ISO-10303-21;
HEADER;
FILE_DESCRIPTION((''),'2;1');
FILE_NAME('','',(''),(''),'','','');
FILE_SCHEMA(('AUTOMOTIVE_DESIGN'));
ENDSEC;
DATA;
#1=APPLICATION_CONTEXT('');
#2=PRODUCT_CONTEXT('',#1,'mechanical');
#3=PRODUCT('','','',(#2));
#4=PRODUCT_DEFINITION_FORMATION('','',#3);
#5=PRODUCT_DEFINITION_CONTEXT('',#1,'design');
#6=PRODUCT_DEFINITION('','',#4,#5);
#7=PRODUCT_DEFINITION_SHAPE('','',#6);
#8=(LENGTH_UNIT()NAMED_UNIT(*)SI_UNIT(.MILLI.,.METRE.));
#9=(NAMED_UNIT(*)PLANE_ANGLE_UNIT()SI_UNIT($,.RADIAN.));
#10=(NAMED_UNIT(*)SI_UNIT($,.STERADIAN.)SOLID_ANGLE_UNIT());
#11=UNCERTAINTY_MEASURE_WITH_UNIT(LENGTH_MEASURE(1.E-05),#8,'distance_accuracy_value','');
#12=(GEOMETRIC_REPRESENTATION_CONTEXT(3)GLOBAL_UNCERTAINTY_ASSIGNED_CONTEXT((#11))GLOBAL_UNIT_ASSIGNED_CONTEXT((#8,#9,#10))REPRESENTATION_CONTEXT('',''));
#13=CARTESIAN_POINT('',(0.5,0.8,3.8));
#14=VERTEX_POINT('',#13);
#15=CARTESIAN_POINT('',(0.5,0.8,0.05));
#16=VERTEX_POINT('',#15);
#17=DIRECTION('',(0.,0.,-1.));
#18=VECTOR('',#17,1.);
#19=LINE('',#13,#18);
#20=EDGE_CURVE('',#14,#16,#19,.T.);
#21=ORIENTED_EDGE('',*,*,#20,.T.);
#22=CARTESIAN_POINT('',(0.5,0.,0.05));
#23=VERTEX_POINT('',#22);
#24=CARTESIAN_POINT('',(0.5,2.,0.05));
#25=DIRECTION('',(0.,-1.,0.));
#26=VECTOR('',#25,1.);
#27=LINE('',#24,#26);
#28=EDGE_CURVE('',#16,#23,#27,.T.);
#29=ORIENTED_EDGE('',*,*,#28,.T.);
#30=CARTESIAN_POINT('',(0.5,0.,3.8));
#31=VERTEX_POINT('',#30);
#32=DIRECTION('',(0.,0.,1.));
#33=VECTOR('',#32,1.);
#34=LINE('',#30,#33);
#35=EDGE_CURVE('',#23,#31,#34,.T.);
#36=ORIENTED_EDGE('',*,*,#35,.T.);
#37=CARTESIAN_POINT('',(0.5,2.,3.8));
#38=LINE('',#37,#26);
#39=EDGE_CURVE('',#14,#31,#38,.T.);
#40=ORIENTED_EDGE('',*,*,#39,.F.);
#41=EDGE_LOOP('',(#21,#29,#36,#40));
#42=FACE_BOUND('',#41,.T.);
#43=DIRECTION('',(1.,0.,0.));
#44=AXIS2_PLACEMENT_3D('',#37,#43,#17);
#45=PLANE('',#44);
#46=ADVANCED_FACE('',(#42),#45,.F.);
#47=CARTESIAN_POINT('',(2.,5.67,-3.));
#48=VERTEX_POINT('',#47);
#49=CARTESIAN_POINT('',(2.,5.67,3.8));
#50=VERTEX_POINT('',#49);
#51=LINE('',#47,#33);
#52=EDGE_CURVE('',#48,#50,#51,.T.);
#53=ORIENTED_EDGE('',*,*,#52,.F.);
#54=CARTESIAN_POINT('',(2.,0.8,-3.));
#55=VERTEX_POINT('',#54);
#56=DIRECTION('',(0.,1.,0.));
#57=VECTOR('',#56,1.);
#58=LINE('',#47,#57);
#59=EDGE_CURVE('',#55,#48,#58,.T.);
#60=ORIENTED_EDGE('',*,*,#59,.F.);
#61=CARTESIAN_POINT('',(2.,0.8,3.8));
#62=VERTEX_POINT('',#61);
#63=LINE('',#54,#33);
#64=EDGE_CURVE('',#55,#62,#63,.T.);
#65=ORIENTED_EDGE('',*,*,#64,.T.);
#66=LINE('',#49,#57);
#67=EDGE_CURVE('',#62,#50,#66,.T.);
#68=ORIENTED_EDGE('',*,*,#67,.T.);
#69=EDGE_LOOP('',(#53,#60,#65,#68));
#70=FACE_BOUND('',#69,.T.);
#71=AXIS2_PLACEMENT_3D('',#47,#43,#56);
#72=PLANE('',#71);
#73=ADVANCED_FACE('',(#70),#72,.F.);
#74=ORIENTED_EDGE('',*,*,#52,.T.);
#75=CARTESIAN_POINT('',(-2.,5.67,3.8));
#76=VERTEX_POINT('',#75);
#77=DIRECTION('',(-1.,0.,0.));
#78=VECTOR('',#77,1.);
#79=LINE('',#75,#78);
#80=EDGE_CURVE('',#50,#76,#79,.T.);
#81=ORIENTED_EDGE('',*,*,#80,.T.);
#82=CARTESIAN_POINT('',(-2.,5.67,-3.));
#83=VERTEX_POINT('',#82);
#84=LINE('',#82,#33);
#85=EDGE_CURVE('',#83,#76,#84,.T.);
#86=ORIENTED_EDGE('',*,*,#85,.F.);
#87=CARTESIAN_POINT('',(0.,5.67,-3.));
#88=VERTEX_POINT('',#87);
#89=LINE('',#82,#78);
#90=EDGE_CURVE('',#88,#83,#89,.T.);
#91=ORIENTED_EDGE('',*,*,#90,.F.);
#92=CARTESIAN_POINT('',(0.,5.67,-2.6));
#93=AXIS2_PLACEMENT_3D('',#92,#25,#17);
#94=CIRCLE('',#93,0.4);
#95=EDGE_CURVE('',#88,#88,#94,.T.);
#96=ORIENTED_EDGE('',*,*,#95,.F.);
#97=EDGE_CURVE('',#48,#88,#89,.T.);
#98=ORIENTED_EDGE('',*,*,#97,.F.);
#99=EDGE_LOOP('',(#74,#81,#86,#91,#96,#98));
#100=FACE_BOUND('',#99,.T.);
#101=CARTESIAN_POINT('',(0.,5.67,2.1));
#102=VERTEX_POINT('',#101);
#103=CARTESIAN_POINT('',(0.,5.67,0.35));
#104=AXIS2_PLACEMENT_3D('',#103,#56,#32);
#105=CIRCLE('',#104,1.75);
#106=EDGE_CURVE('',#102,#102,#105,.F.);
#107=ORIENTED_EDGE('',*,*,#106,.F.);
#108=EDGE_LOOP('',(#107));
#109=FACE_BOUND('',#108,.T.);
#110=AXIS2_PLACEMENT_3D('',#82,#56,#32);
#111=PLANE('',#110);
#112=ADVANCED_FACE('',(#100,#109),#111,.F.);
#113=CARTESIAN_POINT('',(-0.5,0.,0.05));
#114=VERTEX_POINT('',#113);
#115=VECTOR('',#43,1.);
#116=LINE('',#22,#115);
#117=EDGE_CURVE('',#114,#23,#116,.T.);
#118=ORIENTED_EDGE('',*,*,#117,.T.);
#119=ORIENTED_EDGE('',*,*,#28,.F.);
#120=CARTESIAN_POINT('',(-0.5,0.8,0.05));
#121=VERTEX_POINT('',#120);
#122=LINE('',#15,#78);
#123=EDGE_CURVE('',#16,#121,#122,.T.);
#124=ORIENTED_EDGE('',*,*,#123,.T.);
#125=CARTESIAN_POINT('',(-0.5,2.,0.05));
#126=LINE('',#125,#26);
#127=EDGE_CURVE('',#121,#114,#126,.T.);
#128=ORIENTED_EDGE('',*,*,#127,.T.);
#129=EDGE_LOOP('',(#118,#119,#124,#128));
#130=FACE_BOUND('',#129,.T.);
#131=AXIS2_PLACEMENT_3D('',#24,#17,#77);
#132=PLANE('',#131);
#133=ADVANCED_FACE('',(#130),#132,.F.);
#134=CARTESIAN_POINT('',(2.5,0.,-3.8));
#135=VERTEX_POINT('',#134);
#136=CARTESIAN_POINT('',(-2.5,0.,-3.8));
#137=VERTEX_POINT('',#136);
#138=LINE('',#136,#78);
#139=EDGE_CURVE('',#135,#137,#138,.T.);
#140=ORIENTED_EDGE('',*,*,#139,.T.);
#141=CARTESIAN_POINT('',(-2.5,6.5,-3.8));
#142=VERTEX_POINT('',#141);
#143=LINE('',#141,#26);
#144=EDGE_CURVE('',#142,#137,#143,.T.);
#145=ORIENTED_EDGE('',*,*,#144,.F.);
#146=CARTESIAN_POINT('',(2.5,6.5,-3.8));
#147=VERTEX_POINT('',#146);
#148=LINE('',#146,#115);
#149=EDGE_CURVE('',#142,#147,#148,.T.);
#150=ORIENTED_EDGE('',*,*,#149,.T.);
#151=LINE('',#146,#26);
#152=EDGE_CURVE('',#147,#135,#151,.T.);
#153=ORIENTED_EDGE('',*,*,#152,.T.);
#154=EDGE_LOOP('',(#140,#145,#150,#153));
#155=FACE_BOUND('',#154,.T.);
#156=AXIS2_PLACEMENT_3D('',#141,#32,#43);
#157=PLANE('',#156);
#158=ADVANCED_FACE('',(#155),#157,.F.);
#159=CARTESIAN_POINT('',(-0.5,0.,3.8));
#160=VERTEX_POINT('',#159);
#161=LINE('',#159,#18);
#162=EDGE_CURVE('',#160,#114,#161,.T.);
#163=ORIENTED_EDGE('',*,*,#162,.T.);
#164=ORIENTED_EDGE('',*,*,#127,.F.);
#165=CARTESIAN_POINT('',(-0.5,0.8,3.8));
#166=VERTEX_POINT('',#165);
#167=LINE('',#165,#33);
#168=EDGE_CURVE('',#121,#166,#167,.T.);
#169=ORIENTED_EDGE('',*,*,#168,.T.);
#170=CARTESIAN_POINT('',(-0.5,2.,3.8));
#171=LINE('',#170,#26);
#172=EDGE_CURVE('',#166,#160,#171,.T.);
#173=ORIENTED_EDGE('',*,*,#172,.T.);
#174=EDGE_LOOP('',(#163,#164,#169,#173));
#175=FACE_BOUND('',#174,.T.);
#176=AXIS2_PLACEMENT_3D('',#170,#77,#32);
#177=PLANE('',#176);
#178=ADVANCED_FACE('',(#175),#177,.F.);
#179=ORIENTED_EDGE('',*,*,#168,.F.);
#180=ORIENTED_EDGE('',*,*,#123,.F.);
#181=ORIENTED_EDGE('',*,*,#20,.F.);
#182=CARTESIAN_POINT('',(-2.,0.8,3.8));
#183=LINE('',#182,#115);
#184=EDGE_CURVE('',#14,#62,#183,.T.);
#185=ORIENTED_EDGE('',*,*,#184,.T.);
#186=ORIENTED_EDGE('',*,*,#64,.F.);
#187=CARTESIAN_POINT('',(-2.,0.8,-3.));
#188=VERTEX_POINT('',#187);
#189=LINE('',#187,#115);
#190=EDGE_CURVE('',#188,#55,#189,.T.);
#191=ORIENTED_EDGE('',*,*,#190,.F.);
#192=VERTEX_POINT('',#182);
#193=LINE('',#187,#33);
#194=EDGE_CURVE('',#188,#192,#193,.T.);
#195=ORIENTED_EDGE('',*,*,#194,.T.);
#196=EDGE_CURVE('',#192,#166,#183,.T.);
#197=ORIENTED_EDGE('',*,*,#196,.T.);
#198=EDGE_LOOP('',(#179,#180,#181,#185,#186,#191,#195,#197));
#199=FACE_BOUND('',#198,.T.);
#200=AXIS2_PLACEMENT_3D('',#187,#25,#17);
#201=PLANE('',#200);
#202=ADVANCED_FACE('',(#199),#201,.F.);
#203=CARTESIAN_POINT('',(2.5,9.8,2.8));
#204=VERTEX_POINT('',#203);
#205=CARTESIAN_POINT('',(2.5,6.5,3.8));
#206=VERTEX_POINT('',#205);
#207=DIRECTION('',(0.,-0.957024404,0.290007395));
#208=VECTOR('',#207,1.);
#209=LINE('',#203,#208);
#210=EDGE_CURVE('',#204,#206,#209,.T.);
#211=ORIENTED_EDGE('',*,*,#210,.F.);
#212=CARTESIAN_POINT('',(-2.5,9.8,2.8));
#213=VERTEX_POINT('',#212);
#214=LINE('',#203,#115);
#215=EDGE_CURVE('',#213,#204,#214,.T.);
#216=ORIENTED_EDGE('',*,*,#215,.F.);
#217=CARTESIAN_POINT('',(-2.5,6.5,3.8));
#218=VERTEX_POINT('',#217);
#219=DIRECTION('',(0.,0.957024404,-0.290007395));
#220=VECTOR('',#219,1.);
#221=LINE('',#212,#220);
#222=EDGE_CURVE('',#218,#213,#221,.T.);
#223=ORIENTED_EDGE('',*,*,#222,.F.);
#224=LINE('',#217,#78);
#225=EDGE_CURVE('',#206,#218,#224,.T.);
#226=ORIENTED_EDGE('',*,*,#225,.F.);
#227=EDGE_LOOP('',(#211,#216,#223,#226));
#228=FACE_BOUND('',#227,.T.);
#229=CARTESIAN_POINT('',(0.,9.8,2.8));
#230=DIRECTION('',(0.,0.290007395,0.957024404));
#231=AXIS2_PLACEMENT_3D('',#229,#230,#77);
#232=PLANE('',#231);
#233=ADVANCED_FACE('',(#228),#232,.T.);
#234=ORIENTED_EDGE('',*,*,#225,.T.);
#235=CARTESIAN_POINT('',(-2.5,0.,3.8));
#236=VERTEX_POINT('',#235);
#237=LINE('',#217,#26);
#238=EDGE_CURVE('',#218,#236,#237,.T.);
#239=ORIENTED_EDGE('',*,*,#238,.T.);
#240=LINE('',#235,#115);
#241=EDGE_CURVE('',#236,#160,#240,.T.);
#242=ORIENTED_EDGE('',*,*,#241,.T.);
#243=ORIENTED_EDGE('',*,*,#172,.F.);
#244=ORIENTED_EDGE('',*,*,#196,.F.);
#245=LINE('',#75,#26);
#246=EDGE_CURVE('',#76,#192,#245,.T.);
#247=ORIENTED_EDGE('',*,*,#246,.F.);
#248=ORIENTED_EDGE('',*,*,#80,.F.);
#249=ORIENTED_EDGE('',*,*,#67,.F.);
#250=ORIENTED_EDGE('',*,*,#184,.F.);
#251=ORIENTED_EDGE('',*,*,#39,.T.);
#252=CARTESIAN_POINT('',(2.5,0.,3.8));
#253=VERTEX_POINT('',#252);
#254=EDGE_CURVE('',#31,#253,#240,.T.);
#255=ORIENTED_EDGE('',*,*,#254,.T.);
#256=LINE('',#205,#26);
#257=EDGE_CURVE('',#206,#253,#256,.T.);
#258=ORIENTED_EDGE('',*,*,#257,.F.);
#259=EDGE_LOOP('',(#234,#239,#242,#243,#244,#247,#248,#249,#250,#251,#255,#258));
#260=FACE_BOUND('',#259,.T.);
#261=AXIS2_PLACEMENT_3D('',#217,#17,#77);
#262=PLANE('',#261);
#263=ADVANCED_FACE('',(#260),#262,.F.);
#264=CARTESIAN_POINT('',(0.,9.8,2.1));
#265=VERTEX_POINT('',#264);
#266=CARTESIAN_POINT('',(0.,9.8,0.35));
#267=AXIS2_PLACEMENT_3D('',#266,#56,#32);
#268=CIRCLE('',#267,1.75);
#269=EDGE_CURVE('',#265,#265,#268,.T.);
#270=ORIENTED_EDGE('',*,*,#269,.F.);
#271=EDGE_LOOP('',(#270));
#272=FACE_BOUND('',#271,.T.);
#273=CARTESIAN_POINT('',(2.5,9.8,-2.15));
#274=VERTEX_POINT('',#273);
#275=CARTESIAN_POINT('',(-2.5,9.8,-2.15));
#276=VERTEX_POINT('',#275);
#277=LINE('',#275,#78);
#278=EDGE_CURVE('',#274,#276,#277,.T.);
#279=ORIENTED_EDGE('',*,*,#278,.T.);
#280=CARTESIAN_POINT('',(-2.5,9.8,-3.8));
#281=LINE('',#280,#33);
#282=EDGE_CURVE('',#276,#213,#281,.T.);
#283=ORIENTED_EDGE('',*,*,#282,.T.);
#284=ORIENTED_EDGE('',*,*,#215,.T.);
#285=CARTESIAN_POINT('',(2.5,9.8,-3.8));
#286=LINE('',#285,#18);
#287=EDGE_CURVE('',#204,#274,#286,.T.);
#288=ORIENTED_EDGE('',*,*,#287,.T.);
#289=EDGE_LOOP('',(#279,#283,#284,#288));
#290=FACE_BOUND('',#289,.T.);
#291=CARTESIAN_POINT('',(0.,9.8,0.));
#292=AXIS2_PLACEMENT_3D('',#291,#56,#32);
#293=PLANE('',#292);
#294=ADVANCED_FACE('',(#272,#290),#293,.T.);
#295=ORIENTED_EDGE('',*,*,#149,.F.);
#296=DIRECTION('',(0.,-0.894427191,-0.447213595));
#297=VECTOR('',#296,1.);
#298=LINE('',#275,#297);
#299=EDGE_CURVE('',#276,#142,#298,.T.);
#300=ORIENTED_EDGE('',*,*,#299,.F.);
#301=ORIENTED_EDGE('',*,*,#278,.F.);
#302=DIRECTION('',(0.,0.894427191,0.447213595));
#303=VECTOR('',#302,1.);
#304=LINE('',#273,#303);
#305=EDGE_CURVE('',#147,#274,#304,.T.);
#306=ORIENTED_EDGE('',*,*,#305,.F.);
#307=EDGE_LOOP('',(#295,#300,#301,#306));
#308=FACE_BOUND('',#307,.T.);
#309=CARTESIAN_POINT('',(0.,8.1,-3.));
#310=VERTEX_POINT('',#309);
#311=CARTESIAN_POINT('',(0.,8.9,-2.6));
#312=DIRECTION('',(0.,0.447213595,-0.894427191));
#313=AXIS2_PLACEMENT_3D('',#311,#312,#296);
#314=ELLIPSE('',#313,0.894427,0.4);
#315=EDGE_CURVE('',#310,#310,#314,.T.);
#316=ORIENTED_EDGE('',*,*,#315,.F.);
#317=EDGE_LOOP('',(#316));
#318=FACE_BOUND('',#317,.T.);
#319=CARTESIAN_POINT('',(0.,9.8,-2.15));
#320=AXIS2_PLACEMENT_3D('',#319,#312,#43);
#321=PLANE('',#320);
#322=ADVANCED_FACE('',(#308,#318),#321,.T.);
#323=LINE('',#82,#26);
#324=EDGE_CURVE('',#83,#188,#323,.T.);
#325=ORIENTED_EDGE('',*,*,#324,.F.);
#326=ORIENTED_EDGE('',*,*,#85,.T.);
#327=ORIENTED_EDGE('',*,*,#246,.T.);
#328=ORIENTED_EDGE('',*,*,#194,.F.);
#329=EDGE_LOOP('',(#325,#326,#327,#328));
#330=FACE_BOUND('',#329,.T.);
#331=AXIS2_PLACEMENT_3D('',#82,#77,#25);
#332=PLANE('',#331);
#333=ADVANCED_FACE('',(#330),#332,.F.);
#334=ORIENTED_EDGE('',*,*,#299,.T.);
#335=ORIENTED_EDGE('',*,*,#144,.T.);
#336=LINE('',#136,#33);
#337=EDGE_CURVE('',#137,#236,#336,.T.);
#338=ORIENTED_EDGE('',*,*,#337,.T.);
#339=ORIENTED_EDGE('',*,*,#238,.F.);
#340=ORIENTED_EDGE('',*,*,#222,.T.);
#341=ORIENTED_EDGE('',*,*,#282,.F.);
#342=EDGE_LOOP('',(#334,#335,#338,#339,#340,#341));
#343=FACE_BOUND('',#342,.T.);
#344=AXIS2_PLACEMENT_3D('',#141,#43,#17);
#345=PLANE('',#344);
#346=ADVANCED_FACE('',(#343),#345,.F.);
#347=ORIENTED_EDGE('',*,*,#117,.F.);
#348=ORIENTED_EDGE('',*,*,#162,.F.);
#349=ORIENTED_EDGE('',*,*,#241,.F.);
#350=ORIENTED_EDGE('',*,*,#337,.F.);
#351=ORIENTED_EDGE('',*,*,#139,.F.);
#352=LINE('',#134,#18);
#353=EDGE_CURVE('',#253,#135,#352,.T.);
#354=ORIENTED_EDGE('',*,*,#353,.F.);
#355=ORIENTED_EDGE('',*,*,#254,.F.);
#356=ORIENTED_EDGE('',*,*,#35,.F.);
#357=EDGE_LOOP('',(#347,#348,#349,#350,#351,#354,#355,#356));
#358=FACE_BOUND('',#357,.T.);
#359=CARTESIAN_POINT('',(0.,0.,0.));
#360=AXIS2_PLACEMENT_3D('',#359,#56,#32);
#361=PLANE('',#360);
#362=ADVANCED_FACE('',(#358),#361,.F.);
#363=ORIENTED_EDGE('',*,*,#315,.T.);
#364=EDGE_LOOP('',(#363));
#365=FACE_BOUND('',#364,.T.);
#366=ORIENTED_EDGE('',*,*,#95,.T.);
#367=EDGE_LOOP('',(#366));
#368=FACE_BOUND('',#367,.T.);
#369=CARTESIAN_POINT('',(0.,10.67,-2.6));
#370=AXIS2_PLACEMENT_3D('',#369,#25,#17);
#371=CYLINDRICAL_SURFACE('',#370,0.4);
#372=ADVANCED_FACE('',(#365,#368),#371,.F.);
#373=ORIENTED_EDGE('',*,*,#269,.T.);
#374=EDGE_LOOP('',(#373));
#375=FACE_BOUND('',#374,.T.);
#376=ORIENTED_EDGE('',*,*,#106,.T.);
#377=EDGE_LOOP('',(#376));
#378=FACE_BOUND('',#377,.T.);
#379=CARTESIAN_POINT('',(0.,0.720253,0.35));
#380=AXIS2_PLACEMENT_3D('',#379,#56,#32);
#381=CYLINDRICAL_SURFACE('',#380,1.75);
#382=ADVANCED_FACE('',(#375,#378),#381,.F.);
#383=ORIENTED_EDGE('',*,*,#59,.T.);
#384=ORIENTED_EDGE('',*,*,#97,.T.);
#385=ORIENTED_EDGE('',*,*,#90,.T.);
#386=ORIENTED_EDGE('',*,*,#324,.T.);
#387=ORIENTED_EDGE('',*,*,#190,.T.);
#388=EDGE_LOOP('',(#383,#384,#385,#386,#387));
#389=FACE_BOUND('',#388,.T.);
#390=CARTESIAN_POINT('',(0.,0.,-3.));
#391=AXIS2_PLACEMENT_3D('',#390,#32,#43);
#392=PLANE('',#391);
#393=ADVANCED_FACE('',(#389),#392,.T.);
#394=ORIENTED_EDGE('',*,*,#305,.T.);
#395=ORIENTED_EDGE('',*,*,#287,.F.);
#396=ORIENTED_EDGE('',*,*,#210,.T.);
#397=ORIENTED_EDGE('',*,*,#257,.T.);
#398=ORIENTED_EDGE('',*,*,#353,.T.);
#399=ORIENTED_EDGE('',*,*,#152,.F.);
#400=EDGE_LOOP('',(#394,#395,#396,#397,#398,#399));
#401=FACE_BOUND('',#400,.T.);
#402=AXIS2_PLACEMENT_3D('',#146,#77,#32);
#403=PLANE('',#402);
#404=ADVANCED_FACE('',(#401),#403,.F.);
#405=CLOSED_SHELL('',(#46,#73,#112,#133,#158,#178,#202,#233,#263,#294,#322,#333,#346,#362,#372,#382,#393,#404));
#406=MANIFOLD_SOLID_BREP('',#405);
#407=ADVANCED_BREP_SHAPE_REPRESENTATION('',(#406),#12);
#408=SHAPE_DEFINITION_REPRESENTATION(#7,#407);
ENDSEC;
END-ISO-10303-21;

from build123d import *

# Parameters (mm, degrees)
SKETCH_1_W          = 5
SKETCH_1_H          = 7.6
EXTRUDE_1_DEPTH     = 6.5
SKETCH_2_W          = 1
SKETCH_2_H          = 3.75
CUT_EXTRUDE_1_DEPTH = 2
SKETCH_3_W          = 4
SKETCH_3_H          = 4.87
CUT_EXTRUDE_2_DEPTH = 6.8
SKETCH_4_W          = 5
SKETCH_4_H          = 7.6
EXTRUDE_2_DEPTH     = 3.3
CHAMFER_1_SIZE      = 3.3
CHAMFER_1_SIZE2     = 1
CHAMFER_2_SIZE      = 3.3
CHAMFER_2_SIZE2     = 1.65
SKETCH_5_R          = 0.4
CUT_EXTRUDE_3_DEPTH = 5
SKETCH_6_R          = 1.75
CUT_EXTRUDE_4_DEPTH = 4.13


with BuildPart() as part:
    # Эскиз1 → Бобышка-Вытянуть1 (new body)
    with BuildSketch(Plane(origin=(0, 0, 0), x_dir=(1, 0, 0), z_dir=(0, 1, 0))):
        Rectangle(SKETCH_1_W, SKETCH_1_H)
    extrude(amount=EXTRUDE_1_DEPTH)

    # Эскиз2 → Вырез-Вытянуть1 (cut)
    with BuildSketch(Plane.XZ):
        with Locations((0, 1.925)):
            Rectangle(SKETCH_2_W, SKETCH_2_H)
    extrude(amount=-CUT_EXTRUDE_1_DEPTH, mode=Mode.SUBTRACT)

    # Эскиз3 → Вырез-Вытянуть2 (cut)
    with BuildSketch(Plane.XY.offset(3.8)):
        with Locations((0, 3.235)):
            Rectangle(SKETCH_3_W, SKETCH_3_H)
    extrude(amount=-CUT_EXTRUDE_2_DEPTH, mode=Mode.SUBTRACT)

    # Эскиз4 → Бобышка-Вытянуть2 (add)
    with BuildSketch(Plane(origin=(0, 6.5, 0), x_dir=(1, 0, 0), z_dir=(0, 1, 0))):
        Rectangle(SKETCH_4_W, SKETCH_4_H)
    extrude(amount=EXTRUDE_2_DEPTH)

    # Фаска1
    chamfer_1_edges = [part.edges().sort_by_distance(p)[0] for p in [
        (0, 9.8, 3.8),
    ]]
    chamfer_1_side = [part.faces().sort_by_distance(p)[0] for p in [
        (0, 6.154672702, 3.8),
    ]]
    chamfer(chamfer_1_edges, length=CHAMFER_1_SIZE, length2=CHAMFER_1_SIZE2, reference=chamfer_1_side[0])

    # Фаска2
    chamfer_2_edges = [part.edges().sort_by_distance(p)[0] for p in [
        (0, 9.8, -3.8),
    ]]
    chamfer_2_side = [part.faces().sort_by_distance(p)[0] for p in [
        (0, 4.9, -3.8),
    ]]
    chamfer(chamfer_2_edges, length=CHAMFER_2_SIZE, length2=CHAMFER_2_SIZE2, reference=chamfer_2_side[0])

    # Эскиз5 → Вырез-Вытянуть3 (cut)
    with BuildSketch(Plane.XZ.offset(-5.67)):
        with Locations(Location((0, -2.6, 0), (0, 0, 270))):
            Circle(SKETCH_5_R)
    extrude(amount=-CUT_EXTRUDE_3_DEPTH, mode=Mode.SUBTRACT)

    # Эскиз6 → Вырез-Вытянуть4 (cut)
    with BuildSketch(Plane(origin=(0, 9.8, 0), x_dir=(1, 0, 0), z_dir=(0, 1, 0))):
        with Locations(Location((0, -0.35, 0), (0, 0, 270))):
            Circle(SKETCH_6_R)
    extrude(amount=-CUT_EXTRUDE_4_DEPTH, mode=Mode.SUBTRACT)


solid = part.part
